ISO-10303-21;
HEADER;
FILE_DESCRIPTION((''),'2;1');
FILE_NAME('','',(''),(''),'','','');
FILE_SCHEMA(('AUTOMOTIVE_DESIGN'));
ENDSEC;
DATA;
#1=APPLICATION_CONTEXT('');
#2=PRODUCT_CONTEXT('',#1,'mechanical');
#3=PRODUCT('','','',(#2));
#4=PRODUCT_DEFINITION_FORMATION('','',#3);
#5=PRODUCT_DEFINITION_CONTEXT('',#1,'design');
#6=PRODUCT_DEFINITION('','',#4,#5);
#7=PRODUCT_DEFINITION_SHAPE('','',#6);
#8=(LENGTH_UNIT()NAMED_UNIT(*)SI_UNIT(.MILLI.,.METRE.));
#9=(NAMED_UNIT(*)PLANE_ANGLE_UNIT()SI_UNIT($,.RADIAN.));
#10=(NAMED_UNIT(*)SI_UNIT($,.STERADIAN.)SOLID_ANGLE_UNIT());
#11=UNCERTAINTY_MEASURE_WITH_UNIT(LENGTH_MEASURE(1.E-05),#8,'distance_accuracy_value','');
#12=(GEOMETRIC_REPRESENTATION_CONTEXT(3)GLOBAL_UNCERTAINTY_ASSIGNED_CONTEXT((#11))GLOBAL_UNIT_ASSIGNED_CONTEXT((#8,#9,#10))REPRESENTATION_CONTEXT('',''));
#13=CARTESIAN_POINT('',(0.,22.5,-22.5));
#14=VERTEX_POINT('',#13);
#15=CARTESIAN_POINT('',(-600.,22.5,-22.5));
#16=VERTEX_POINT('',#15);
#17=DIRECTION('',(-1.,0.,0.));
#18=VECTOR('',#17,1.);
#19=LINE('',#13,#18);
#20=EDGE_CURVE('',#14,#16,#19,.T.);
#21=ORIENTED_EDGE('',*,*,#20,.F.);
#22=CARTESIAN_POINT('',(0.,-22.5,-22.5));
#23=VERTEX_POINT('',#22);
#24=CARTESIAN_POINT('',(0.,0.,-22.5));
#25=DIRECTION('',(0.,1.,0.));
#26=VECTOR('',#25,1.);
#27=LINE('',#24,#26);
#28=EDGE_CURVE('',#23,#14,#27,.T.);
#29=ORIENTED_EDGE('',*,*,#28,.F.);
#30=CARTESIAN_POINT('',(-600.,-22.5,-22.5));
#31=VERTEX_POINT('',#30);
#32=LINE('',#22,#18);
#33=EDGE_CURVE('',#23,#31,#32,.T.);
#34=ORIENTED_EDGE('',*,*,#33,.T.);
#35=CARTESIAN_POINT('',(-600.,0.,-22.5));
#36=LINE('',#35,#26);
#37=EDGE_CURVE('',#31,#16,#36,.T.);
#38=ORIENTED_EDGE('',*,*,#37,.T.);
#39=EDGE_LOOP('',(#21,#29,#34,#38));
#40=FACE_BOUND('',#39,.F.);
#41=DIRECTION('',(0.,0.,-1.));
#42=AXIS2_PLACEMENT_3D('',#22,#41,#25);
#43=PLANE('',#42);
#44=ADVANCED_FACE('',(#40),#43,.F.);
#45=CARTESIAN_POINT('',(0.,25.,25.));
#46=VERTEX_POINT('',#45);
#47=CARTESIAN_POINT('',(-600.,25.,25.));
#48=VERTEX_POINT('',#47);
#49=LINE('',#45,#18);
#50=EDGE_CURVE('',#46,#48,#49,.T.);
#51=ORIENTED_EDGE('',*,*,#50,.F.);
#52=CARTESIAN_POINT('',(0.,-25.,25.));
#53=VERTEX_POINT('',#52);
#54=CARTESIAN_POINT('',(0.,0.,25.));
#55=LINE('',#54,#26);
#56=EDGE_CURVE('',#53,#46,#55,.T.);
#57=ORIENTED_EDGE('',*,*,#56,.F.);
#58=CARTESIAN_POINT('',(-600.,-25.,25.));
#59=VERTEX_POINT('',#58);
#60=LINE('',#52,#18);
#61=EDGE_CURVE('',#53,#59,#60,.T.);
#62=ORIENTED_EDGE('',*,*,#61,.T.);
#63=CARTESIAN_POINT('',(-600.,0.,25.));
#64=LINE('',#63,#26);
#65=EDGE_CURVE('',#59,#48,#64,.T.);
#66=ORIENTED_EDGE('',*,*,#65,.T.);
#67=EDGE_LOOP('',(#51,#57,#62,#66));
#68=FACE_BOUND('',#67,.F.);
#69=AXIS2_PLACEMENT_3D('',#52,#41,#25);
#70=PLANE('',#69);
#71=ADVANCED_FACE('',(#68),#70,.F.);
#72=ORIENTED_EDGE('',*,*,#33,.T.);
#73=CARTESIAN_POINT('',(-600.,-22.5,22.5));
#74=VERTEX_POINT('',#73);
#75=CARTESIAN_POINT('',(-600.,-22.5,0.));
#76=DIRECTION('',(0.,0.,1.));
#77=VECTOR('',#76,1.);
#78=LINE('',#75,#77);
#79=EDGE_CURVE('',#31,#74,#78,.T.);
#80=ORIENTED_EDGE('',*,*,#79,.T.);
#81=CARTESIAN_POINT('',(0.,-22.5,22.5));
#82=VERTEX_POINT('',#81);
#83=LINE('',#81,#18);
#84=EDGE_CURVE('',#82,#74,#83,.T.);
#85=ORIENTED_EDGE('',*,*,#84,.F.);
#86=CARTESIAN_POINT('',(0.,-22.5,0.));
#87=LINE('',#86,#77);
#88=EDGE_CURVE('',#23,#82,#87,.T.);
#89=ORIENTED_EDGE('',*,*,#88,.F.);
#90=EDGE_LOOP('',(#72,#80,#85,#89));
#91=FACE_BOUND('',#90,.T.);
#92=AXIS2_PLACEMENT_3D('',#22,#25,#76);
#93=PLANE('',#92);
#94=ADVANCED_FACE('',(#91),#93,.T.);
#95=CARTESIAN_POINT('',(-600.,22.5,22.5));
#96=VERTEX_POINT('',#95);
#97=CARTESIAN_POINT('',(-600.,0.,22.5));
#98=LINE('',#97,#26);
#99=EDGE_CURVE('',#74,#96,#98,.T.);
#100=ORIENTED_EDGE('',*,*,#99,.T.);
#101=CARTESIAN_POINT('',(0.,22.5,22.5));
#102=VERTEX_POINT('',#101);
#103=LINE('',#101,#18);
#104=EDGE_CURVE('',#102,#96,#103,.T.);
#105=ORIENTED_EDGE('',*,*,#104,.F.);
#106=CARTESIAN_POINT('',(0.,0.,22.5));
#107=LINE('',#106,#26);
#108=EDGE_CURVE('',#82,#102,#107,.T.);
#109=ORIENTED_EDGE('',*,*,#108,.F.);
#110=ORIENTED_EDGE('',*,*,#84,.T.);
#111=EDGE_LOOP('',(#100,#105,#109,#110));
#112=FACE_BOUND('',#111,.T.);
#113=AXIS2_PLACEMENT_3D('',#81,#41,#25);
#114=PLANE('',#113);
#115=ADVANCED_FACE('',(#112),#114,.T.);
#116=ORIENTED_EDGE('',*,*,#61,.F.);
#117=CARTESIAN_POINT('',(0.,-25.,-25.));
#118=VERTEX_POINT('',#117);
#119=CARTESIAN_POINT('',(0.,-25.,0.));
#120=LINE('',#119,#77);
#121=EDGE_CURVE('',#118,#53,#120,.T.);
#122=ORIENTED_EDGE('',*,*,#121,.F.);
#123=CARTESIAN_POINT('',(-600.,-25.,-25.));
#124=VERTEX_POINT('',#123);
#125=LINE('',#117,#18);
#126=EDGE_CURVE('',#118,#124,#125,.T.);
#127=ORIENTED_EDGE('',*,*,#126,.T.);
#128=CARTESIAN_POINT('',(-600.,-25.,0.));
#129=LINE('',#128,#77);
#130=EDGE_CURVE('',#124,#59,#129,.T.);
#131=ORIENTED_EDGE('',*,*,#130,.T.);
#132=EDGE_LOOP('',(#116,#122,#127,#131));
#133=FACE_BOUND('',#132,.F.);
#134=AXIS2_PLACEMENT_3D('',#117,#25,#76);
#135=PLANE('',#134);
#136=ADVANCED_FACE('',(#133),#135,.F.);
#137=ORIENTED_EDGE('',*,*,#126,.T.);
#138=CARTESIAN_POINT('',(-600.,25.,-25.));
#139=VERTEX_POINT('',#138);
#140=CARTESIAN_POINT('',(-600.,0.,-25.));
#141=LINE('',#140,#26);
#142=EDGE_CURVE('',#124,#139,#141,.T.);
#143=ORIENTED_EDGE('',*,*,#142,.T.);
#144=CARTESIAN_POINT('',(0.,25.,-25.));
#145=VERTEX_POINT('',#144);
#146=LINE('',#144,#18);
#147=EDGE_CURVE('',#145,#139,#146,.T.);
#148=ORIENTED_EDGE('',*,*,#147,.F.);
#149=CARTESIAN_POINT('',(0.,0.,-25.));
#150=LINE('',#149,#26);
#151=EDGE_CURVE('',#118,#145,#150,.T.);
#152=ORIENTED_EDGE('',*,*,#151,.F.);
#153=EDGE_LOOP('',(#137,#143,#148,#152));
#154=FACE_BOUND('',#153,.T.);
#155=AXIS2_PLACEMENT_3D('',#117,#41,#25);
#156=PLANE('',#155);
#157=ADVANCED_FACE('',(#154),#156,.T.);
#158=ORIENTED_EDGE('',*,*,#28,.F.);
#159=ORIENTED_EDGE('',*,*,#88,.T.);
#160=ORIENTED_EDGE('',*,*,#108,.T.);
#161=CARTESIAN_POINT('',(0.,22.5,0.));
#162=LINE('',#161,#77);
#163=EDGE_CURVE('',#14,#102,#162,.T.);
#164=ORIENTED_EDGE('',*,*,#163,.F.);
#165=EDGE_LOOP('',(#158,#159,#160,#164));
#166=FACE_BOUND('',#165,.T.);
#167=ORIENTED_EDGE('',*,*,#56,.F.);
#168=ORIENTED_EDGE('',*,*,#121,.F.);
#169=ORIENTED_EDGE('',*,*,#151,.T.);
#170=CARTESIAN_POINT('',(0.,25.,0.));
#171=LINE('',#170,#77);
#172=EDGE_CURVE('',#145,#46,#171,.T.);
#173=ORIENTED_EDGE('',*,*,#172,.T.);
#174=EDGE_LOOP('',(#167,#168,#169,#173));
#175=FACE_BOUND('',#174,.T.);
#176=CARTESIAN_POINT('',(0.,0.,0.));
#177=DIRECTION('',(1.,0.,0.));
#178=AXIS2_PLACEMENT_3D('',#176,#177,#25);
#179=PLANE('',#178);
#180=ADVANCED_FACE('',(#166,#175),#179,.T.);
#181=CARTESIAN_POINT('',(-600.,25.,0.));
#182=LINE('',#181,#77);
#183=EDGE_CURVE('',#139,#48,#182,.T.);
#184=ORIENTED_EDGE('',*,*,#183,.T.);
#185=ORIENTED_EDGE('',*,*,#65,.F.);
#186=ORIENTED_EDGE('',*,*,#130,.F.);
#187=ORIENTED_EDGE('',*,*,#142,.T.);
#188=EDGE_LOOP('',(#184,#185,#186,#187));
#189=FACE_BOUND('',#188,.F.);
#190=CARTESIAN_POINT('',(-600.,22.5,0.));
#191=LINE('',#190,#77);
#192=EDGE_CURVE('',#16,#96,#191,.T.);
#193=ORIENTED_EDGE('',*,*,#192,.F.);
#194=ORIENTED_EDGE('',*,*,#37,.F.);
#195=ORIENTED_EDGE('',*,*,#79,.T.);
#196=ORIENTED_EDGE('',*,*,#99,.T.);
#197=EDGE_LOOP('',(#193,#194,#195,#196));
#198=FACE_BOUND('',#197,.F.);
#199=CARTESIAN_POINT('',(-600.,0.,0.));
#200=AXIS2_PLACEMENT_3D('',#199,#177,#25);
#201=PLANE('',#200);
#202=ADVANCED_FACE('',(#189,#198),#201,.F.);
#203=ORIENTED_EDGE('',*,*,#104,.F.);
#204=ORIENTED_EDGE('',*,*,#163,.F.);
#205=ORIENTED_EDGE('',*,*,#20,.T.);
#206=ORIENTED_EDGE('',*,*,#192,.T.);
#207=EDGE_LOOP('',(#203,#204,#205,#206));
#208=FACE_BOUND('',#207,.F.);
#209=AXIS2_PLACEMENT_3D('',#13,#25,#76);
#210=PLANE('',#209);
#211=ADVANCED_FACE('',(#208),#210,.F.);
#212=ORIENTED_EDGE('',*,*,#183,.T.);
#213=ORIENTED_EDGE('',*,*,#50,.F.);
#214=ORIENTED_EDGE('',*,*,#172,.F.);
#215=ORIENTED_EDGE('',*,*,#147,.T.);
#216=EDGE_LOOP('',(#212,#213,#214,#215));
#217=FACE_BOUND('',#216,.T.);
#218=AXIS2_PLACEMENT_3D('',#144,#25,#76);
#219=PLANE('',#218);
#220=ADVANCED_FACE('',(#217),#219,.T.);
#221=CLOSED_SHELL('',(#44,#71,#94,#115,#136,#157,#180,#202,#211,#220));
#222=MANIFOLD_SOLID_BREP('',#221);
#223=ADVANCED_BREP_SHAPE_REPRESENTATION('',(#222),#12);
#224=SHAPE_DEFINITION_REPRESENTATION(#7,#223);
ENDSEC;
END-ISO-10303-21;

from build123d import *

# Parameters (mm, degrees)
F0_W     = 50
F0_H     = 50
F0_W_2   = 45
F0_H_2   = 45
F1_DEPTH = 600


with BuildPart() as f1:
    # F0 (on Right) → F1 (new body)
    with BuildSketch(Plane.YZ):
        Rectangle(F0_W, F0_H)
        Rectangle(F0_W_2, F0_H_2, mode=Mode.SUBTRACT)
    extrude(amount=-F1_DEPTH)


solid = f1.part
